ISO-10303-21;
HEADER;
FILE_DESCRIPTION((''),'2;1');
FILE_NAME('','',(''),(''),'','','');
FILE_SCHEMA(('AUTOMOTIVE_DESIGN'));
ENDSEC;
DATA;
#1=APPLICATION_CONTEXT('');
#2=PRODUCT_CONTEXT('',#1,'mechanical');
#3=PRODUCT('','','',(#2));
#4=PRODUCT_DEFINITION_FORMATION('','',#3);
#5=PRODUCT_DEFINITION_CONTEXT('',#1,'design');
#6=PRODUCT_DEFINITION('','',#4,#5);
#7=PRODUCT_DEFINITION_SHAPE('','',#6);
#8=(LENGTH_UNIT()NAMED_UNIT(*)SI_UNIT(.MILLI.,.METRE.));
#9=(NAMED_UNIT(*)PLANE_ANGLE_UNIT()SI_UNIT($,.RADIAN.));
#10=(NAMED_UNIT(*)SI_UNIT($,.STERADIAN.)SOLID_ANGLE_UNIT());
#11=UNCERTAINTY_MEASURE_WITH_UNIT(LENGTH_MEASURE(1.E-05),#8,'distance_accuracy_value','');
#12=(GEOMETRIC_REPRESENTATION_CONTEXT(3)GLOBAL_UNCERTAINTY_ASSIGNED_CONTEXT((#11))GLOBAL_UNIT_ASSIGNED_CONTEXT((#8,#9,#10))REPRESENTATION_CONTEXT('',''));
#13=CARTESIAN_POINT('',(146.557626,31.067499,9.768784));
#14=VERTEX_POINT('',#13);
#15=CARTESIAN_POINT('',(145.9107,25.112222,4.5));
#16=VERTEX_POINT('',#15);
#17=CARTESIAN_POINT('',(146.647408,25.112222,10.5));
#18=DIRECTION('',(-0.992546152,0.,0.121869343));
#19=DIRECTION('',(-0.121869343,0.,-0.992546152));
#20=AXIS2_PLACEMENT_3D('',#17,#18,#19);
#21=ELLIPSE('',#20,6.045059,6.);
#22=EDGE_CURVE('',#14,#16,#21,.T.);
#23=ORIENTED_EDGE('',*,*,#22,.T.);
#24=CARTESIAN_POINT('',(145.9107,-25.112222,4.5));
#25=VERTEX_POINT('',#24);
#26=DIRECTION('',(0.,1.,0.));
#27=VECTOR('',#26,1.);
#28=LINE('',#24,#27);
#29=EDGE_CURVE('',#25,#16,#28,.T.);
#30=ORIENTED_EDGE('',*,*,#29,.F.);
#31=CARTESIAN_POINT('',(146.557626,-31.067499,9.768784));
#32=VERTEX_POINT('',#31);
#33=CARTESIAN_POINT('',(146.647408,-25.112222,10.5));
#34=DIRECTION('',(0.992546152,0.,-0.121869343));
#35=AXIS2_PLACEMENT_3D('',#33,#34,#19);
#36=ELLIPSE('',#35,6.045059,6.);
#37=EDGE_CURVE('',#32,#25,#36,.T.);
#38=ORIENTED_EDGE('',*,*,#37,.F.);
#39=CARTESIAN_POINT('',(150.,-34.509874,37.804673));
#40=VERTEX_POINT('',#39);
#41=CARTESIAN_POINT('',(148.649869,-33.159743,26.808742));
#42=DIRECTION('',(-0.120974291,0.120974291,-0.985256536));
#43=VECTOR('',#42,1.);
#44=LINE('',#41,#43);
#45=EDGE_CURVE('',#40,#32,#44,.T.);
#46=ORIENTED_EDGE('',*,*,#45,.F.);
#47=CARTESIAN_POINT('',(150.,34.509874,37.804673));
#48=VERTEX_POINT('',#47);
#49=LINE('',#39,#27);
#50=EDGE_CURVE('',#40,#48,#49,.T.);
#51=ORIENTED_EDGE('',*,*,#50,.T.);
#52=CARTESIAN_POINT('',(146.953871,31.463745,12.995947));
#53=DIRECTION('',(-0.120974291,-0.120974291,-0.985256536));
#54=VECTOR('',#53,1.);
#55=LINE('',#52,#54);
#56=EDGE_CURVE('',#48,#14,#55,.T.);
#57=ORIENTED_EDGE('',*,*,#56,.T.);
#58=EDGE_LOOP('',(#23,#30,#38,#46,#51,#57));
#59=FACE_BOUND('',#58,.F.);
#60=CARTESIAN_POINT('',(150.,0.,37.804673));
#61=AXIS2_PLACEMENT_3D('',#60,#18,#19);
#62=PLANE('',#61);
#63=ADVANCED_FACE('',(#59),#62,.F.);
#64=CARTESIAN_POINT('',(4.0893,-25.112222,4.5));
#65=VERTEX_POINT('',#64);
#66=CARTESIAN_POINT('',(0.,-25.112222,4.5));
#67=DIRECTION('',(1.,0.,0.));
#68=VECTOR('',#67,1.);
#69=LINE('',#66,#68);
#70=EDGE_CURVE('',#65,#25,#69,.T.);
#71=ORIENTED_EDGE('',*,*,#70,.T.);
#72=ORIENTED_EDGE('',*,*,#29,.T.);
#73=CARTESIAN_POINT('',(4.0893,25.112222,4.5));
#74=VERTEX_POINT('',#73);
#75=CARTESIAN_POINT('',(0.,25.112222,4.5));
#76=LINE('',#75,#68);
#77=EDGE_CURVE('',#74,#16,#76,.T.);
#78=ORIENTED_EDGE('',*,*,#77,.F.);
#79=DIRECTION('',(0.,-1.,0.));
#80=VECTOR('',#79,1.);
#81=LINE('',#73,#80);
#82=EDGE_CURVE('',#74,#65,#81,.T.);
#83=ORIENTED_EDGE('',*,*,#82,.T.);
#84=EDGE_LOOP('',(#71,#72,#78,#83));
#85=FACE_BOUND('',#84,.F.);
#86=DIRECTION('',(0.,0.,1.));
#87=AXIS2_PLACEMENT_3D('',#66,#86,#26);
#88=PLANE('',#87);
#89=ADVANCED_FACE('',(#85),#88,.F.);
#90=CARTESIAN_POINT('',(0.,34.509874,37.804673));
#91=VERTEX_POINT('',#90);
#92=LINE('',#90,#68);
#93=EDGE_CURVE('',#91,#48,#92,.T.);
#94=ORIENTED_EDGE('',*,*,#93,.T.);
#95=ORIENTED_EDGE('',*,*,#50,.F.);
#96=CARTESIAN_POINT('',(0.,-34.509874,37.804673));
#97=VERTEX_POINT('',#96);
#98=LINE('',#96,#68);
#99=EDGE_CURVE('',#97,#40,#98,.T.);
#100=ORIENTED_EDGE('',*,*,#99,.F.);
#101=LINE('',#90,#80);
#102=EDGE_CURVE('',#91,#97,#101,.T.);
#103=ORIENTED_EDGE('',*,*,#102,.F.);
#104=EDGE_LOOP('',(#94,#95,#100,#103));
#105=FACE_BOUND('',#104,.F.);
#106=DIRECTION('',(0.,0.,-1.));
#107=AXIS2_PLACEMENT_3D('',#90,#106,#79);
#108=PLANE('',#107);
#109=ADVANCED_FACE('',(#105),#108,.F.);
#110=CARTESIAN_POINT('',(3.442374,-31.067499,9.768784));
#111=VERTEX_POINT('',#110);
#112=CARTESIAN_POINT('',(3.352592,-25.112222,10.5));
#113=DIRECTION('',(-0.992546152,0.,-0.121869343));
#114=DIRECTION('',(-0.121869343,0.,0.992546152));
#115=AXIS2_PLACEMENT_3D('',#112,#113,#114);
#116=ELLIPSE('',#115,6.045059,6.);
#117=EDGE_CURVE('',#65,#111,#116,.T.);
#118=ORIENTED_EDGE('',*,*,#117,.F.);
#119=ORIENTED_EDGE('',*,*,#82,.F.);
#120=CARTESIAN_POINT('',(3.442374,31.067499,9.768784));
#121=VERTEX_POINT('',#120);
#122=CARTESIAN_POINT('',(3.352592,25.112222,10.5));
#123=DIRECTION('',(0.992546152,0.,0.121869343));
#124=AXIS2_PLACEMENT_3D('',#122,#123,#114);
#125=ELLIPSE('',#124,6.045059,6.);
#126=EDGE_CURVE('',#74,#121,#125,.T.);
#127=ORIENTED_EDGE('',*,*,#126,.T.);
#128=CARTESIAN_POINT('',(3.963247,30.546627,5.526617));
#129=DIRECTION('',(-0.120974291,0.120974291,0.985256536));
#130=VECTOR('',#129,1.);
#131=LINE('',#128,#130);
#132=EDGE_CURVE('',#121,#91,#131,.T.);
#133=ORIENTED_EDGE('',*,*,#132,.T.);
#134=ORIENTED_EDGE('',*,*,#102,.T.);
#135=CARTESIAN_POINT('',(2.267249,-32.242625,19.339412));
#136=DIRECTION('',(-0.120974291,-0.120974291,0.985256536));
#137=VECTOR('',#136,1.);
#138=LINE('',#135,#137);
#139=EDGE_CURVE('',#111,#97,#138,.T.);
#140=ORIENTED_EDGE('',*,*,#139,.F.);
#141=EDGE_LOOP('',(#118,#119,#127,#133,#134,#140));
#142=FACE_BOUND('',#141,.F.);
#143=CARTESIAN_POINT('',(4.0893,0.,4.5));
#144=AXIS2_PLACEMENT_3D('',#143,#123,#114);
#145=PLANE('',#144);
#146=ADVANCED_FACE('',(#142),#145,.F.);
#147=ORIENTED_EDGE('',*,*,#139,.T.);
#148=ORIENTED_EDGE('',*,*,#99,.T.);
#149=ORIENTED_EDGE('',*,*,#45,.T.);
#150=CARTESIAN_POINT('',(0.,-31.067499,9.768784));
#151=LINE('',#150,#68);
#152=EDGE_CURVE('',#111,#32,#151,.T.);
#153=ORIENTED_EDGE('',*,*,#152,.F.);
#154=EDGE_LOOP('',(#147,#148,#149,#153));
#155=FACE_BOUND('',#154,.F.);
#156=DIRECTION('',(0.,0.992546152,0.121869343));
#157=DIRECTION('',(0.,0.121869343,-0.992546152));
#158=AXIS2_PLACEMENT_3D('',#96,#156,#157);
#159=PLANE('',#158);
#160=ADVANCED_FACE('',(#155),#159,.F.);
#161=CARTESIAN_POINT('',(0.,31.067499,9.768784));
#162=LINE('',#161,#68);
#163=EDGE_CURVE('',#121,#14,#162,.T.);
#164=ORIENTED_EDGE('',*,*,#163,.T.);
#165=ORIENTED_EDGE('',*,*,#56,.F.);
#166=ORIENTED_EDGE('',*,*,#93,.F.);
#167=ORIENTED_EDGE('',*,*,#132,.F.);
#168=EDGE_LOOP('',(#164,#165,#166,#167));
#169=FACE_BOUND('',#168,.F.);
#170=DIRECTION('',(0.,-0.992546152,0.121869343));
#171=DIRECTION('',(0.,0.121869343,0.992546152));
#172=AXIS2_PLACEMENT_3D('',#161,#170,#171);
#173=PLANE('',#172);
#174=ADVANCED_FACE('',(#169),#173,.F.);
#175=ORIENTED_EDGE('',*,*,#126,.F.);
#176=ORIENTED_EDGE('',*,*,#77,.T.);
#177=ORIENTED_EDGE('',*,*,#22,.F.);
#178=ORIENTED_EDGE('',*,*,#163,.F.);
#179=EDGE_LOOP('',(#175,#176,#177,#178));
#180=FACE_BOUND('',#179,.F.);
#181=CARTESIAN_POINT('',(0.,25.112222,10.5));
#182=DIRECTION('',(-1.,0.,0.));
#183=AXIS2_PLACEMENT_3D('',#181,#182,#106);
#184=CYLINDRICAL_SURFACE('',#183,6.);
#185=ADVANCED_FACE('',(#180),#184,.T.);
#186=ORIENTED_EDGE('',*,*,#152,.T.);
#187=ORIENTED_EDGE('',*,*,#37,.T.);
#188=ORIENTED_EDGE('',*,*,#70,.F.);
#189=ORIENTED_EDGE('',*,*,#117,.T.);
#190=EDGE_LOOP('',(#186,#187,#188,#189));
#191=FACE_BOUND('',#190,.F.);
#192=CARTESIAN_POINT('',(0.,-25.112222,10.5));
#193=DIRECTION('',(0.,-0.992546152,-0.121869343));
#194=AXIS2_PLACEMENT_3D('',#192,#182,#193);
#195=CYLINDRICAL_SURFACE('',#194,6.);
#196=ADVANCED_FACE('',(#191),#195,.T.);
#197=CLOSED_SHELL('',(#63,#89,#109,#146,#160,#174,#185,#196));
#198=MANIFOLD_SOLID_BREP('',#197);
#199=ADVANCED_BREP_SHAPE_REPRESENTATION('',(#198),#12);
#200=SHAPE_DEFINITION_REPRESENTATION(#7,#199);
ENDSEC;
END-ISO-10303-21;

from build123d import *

# Parameters (mm, degrees)
F1_DEPTH      = 150
F3_DEPTH      = 34.5108737383
F3_DEPTH_BACK = 34.5108737383


with BuildPart() as f1:
    # F0 (on Right) → F1 (new body)
    with BuildSketch(Plane.YZ):
        with BuildLine():
            Line((34.5098737383, 37.8046733585), (-34.5098737383, 37.8046733585))
            Line((-34.5098737383, 37.8046733585), (-31.0674993665, 9.7687839396))
            ThreePointArc((-31.0674993665, 9.7687839396), (-29.0879427459, 6.0062656753), (-25.1122224566, 4.5))
            Line((-25.1122224566, 4.5), (25.1122224566, 4.5))
            ThreePointArc((25.1122224566, 4.5), (29.0879427459, 6.0062656753), (31.0674993665, 9.7687839396))
            Line((31.0674993665, 9.7687839396), (34.5098737383, 37.8046733585))
        make_face()
    extrude(amount=F1_DEPTH)

    # F2 (on Front) → F3 (cut, two sides)
    with BuildSketch(Plane.XZ) as f3_sk:
        Polygon((4.0892996943, 4.5), (0, 37.8046733585), (0, 4.5), align=None)
        Polygon((150, 37.8046733585), (145.9107003057, 4.5), (150, 4.5), align=None)
    extrude(amount=-F3_DEPTH, mode=Mode.SUBTRACT)
    extrude(f3_sk.sketch, amount=F3_DEPTH_BACK, mode=Mode.SUBTRACT)


solid = f1.part
